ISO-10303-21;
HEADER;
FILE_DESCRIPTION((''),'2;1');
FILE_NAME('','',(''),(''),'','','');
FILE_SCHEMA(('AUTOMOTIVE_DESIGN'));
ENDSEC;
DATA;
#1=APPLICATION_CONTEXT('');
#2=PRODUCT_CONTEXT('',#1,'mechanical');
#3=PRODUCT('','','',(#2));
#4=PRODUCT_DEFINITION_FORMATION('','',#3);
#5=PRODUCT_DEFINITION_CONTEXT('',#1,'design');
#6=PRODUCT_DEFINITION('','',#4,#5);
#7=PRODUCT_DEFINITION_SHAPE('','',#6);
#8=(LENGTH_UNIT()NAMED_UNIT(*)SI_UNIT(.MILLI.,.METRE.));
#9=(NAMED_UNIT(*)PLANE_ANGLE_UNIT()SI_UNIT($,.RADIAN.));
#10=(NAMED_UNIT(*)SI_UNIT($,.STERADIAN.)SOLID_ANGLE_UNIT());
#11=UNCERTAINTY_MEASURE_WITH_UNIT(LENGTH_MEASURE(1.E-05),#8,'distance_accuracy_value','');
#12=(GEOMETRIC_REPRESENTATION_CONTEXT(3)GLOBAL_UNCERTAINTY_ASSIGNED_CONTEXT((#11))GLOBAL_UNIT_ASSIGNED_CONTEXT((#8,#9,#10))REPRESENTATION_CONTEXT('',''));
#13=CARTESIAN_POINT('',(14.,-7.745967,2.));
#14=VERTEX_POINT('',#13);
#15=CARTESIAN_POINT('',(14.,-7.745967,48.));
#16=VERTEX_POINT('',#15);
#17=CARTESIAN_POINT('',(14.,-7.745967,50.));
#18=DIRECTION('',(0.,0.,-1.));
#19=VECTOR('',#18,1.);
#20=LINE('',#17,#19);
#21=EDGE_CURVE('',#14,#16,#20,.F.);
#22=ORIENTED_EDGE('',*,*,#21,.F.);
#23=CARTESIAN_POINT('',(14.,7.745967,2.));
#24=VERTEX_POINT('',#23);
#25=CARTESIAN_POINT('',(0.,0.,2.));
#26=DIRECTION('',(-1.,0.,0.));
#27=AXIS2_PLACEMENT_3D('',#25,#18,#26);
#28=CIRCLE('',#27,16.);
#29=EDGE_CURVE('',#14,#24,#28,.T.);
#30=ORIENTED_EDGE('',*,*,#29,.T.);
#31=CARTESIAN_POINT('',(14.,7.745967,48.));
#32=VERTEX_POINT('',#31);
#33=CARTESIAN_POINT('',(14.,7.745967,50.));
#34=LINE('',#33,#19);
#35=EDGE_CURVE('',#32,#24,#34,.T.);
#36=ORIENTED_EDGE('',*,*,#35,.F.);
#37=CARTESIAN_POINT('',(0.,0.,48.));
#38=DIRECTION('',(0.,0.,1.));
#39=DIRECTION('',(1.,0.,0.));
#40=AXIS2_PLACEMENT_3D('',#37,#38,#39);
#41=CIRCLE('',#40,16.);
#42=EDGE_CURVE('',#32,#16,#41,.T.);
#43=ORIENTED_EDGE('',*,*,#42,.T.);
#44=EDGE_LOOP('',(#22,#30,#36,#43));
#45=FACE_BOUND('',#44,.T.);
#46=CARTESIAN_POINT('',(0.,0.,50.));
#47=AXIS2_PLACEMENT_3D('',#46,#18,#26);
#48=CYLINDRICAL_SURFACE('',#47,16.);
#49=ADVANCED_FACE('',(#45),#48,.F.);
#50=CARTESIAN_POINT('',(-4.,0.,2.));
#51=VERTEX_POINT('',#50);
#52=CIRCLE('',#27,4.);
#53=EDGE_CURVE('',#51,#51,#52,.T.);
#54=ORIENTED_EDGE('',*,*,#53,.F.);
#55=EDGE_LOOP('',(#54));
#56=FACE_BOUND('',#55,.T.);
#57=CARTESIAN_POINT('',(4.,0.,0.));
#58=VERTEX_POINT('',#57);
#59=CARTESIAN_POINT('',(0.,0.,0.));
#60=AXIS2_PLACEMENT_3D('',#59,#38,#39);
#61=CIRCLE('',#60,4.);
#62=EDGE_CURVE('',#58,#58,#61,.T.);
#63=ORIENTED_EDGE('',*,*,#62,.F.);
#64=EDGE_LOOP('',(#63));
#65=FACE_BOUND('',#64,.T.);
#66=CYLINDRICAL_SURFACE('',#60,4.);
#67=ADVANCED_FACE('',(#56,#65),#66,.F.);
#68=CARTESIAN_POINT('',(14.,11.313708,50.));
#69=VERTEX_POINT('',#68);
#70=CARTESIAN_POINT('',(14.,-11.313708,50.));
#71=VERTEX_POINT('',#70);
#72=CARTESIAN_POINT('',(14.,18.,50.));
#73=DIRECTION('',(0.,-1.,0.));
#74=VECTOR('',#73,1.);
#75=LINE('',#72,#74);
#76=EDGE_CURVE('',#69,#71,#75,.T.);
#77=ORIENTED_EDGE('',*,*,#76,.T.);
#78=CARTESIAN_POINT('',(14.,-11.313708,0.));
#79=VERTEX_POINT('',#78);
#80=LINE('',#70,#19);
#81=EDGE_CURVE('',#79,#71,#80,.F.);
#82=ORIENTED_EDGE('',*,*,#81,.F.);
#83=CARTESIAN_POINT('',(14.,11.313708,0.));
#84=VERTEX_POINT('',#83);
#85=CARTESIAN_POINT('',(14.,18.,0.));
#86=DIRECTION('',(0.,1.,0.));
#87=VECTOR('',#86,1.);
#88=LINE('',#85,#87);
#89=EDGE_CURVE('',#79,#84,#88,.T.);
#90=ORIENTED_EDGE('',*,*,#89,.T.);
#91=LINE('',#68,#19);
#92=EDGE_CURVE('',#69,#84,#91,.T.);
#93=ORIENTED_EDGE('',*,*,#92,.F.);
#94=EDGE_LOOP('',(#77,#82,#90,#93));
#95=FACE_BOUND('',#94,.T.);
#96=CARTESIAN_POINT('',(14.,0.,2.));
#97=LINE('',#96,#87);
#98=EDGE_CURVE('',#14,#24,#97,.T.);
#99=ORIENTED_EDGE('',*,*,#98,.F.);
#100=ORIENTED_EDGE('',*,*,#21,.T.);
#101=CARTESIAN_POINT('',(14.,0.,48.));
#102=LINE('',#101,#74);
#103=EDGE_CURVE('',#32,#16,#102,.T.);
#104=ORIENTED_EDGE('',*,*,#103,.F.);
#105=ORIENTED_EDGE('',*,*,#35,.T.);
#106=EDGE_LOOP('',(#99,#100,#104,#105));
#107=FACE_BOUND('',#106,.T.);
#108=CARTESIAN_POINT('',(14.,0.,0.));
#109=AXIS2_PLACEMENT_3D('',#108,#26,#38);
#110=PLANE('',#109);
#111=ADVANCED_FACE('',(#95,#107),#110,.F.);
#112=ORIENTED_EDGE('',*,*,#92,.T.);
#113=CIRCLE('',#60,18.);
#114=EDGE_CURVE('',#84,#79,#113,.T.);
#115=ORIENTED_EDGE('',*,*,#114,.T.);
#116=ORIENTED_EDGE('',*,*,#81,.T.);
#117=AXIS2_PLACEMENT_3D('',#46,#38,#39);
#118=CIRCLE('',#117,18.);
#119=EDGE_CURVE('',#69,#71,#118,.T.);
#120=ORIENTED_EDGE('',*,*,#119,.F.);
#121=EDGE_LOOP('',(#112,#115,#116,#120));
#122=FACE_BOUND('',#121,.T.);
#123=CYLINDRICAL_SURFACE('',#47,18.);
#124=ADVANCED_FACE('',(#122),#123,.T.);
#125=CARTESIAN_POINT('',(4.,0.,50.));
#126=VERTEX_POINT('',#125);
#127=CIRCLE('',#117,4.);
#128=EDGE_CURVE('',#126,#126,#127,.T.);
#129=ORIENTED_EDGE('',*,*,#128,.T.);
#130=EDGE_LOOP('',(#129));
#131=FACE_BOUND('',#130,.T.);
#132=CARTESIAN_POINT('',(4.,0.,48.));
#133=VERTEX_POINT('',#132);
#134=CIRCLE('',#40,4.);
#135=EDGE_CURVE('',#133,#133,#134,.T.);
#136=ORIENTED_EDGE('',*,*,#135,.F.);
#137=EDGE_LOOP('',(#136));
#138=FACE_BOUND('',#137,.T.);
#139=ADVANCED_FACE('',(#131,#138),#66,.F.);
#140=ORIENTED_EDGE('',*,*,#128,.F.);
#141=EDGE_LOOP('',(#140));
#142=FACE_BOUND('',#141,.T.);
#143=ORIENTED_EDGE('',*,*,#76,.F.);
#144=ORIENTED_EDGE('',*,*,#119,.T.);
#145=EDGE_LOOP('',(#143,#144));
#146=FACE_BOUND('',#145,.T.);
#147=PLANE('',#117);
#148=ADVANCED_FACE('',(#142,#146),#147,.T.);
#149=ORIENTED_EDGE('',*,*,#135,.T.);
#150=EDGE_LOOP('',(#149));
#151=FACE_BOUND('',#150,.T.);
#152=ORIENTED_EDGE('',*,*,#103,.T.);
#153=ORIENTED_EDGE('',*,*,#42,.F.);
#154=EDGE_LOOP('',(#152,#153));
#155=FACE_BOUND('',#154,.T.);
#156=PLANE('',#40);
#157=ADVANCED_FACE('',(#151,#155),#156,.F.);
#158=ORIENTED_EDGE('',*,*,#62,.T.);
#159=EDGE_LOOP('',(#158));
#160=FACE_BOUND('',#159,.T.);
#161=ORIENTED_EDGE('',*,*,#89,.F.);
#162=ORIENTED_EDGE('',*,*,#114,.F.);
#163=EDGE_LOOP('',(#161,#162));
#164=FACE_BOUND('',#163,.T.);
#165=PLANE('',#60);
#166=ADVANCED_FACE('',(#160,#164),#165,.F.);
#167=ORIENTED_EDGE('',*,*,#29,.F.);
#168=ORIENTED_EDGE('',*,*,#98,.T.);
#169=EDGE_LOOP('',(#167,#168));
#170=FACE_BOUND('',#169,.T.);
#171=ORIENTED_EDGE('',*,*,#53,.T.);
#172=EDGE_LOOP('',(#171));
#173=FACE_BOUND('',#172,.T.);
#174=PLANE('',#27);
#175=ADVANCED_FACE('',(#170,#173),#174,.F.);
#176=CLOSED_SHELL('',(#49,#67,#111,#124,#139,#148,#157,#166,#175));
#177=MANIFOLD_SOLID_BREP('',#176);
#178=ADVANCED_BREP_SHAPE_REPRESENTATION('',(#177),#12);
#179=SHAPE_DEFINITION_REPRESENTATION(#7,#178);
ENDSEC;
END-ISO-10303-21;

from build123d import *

# Parameters (mm, degrees)
SKETCH1_R               = 18
SKETCH1_R_2             = 16
BOSS_EXTRUDE1_DEPTH     = 50
SKETCH3_R               = 18
BOSS_EXTRUDE2_DEPTH     = 2
BOSS_EXTRUDE3_START     = -48
SKETCH3_2_R             = 18
BOSS_EXTRUDE3_DEPTH     = 2
CUT_EXTRUDE1_START      = 14
SKETCH2_W               = 50
SKETCH2_H               = 36
CUT_EXTRUDE1_DEPTH      = 150
CUT_EXTRUDE2_DEPTH      = 57.107040556
CUT_EXTRUDE2_DEPTH_BACK = 57.107040556
SKETCH4_R               = 4


with BuildPart() as part:
    # Sketch1 → Boss-Extrude1 (new body)
    with BuildSketch(Plane.XY):
        Circle(SKETCH1_R)
        Circle(SKETCH1_R_2, mode=Mode.SUBTRACT)
    extrude(amount=BOSS_EXTRUDE1_DEPTH)

    # Sketch3 → Boss-Extrude2 (add)
    with BuildSketch(Plane(origin=(0, 0, 0), x_dir=(-1, 0, 0), z_dir=(0, 0, -1))):
        with Locations(Location((0, 0, 0), (0, 0, 180))):
            Circle(SKETCH3_R)
    extrude(amount=-BOSS_EXTRUDE2_DEPTH)

    # Sketch3<2> → Boss-Extrude3 (add)
    with BuildSketch(Plane(origin=(0, 0, 0), x_dir=(-1, 0, 0), z_dir=(0, 0, -1)).offset(BOSS_EXTRUDE3_START)):
        with Locations(Location((0, 0, 0), (0, 0, 180))):
            Circle(SKETCH3_2_R)
    extrude(amount=-BOSS_EXTRUDE3_DEPTH)

    # Sketch2 → Cut-Extrude1 (cut)
    with BuildSketch(Plane(origin=(0, 0, 0), x_dir=(0, 0, -1), z_dir=(1, 0, 0)).offset(CUT_EXTRUDE1_START)):
        with Locations((-25, 0)):
            Rectangle(SKETCH2_W, SKETCH2_H)
    extrude(amount=CUT_EXTRUDE1_DEPTH, mode=Mode.SUBTRACT)

    # Sketch4 → Cut-Extrude2 (cut, two sides: drawn at the far end of the back side and taken through both)
    with BuildSketch(Plane.XY.offset(50).offset(-CUT_EXTRUDE2_DEPTH_BACK)):
        Circle(SKETCH4_R)
    extrude(amount=CUT_EXTRUDE2_DEPTH + CUT_EXTRUDE2_DEPTH_BACK, mode=Mode.SUBTRACT)


solid = part.part
